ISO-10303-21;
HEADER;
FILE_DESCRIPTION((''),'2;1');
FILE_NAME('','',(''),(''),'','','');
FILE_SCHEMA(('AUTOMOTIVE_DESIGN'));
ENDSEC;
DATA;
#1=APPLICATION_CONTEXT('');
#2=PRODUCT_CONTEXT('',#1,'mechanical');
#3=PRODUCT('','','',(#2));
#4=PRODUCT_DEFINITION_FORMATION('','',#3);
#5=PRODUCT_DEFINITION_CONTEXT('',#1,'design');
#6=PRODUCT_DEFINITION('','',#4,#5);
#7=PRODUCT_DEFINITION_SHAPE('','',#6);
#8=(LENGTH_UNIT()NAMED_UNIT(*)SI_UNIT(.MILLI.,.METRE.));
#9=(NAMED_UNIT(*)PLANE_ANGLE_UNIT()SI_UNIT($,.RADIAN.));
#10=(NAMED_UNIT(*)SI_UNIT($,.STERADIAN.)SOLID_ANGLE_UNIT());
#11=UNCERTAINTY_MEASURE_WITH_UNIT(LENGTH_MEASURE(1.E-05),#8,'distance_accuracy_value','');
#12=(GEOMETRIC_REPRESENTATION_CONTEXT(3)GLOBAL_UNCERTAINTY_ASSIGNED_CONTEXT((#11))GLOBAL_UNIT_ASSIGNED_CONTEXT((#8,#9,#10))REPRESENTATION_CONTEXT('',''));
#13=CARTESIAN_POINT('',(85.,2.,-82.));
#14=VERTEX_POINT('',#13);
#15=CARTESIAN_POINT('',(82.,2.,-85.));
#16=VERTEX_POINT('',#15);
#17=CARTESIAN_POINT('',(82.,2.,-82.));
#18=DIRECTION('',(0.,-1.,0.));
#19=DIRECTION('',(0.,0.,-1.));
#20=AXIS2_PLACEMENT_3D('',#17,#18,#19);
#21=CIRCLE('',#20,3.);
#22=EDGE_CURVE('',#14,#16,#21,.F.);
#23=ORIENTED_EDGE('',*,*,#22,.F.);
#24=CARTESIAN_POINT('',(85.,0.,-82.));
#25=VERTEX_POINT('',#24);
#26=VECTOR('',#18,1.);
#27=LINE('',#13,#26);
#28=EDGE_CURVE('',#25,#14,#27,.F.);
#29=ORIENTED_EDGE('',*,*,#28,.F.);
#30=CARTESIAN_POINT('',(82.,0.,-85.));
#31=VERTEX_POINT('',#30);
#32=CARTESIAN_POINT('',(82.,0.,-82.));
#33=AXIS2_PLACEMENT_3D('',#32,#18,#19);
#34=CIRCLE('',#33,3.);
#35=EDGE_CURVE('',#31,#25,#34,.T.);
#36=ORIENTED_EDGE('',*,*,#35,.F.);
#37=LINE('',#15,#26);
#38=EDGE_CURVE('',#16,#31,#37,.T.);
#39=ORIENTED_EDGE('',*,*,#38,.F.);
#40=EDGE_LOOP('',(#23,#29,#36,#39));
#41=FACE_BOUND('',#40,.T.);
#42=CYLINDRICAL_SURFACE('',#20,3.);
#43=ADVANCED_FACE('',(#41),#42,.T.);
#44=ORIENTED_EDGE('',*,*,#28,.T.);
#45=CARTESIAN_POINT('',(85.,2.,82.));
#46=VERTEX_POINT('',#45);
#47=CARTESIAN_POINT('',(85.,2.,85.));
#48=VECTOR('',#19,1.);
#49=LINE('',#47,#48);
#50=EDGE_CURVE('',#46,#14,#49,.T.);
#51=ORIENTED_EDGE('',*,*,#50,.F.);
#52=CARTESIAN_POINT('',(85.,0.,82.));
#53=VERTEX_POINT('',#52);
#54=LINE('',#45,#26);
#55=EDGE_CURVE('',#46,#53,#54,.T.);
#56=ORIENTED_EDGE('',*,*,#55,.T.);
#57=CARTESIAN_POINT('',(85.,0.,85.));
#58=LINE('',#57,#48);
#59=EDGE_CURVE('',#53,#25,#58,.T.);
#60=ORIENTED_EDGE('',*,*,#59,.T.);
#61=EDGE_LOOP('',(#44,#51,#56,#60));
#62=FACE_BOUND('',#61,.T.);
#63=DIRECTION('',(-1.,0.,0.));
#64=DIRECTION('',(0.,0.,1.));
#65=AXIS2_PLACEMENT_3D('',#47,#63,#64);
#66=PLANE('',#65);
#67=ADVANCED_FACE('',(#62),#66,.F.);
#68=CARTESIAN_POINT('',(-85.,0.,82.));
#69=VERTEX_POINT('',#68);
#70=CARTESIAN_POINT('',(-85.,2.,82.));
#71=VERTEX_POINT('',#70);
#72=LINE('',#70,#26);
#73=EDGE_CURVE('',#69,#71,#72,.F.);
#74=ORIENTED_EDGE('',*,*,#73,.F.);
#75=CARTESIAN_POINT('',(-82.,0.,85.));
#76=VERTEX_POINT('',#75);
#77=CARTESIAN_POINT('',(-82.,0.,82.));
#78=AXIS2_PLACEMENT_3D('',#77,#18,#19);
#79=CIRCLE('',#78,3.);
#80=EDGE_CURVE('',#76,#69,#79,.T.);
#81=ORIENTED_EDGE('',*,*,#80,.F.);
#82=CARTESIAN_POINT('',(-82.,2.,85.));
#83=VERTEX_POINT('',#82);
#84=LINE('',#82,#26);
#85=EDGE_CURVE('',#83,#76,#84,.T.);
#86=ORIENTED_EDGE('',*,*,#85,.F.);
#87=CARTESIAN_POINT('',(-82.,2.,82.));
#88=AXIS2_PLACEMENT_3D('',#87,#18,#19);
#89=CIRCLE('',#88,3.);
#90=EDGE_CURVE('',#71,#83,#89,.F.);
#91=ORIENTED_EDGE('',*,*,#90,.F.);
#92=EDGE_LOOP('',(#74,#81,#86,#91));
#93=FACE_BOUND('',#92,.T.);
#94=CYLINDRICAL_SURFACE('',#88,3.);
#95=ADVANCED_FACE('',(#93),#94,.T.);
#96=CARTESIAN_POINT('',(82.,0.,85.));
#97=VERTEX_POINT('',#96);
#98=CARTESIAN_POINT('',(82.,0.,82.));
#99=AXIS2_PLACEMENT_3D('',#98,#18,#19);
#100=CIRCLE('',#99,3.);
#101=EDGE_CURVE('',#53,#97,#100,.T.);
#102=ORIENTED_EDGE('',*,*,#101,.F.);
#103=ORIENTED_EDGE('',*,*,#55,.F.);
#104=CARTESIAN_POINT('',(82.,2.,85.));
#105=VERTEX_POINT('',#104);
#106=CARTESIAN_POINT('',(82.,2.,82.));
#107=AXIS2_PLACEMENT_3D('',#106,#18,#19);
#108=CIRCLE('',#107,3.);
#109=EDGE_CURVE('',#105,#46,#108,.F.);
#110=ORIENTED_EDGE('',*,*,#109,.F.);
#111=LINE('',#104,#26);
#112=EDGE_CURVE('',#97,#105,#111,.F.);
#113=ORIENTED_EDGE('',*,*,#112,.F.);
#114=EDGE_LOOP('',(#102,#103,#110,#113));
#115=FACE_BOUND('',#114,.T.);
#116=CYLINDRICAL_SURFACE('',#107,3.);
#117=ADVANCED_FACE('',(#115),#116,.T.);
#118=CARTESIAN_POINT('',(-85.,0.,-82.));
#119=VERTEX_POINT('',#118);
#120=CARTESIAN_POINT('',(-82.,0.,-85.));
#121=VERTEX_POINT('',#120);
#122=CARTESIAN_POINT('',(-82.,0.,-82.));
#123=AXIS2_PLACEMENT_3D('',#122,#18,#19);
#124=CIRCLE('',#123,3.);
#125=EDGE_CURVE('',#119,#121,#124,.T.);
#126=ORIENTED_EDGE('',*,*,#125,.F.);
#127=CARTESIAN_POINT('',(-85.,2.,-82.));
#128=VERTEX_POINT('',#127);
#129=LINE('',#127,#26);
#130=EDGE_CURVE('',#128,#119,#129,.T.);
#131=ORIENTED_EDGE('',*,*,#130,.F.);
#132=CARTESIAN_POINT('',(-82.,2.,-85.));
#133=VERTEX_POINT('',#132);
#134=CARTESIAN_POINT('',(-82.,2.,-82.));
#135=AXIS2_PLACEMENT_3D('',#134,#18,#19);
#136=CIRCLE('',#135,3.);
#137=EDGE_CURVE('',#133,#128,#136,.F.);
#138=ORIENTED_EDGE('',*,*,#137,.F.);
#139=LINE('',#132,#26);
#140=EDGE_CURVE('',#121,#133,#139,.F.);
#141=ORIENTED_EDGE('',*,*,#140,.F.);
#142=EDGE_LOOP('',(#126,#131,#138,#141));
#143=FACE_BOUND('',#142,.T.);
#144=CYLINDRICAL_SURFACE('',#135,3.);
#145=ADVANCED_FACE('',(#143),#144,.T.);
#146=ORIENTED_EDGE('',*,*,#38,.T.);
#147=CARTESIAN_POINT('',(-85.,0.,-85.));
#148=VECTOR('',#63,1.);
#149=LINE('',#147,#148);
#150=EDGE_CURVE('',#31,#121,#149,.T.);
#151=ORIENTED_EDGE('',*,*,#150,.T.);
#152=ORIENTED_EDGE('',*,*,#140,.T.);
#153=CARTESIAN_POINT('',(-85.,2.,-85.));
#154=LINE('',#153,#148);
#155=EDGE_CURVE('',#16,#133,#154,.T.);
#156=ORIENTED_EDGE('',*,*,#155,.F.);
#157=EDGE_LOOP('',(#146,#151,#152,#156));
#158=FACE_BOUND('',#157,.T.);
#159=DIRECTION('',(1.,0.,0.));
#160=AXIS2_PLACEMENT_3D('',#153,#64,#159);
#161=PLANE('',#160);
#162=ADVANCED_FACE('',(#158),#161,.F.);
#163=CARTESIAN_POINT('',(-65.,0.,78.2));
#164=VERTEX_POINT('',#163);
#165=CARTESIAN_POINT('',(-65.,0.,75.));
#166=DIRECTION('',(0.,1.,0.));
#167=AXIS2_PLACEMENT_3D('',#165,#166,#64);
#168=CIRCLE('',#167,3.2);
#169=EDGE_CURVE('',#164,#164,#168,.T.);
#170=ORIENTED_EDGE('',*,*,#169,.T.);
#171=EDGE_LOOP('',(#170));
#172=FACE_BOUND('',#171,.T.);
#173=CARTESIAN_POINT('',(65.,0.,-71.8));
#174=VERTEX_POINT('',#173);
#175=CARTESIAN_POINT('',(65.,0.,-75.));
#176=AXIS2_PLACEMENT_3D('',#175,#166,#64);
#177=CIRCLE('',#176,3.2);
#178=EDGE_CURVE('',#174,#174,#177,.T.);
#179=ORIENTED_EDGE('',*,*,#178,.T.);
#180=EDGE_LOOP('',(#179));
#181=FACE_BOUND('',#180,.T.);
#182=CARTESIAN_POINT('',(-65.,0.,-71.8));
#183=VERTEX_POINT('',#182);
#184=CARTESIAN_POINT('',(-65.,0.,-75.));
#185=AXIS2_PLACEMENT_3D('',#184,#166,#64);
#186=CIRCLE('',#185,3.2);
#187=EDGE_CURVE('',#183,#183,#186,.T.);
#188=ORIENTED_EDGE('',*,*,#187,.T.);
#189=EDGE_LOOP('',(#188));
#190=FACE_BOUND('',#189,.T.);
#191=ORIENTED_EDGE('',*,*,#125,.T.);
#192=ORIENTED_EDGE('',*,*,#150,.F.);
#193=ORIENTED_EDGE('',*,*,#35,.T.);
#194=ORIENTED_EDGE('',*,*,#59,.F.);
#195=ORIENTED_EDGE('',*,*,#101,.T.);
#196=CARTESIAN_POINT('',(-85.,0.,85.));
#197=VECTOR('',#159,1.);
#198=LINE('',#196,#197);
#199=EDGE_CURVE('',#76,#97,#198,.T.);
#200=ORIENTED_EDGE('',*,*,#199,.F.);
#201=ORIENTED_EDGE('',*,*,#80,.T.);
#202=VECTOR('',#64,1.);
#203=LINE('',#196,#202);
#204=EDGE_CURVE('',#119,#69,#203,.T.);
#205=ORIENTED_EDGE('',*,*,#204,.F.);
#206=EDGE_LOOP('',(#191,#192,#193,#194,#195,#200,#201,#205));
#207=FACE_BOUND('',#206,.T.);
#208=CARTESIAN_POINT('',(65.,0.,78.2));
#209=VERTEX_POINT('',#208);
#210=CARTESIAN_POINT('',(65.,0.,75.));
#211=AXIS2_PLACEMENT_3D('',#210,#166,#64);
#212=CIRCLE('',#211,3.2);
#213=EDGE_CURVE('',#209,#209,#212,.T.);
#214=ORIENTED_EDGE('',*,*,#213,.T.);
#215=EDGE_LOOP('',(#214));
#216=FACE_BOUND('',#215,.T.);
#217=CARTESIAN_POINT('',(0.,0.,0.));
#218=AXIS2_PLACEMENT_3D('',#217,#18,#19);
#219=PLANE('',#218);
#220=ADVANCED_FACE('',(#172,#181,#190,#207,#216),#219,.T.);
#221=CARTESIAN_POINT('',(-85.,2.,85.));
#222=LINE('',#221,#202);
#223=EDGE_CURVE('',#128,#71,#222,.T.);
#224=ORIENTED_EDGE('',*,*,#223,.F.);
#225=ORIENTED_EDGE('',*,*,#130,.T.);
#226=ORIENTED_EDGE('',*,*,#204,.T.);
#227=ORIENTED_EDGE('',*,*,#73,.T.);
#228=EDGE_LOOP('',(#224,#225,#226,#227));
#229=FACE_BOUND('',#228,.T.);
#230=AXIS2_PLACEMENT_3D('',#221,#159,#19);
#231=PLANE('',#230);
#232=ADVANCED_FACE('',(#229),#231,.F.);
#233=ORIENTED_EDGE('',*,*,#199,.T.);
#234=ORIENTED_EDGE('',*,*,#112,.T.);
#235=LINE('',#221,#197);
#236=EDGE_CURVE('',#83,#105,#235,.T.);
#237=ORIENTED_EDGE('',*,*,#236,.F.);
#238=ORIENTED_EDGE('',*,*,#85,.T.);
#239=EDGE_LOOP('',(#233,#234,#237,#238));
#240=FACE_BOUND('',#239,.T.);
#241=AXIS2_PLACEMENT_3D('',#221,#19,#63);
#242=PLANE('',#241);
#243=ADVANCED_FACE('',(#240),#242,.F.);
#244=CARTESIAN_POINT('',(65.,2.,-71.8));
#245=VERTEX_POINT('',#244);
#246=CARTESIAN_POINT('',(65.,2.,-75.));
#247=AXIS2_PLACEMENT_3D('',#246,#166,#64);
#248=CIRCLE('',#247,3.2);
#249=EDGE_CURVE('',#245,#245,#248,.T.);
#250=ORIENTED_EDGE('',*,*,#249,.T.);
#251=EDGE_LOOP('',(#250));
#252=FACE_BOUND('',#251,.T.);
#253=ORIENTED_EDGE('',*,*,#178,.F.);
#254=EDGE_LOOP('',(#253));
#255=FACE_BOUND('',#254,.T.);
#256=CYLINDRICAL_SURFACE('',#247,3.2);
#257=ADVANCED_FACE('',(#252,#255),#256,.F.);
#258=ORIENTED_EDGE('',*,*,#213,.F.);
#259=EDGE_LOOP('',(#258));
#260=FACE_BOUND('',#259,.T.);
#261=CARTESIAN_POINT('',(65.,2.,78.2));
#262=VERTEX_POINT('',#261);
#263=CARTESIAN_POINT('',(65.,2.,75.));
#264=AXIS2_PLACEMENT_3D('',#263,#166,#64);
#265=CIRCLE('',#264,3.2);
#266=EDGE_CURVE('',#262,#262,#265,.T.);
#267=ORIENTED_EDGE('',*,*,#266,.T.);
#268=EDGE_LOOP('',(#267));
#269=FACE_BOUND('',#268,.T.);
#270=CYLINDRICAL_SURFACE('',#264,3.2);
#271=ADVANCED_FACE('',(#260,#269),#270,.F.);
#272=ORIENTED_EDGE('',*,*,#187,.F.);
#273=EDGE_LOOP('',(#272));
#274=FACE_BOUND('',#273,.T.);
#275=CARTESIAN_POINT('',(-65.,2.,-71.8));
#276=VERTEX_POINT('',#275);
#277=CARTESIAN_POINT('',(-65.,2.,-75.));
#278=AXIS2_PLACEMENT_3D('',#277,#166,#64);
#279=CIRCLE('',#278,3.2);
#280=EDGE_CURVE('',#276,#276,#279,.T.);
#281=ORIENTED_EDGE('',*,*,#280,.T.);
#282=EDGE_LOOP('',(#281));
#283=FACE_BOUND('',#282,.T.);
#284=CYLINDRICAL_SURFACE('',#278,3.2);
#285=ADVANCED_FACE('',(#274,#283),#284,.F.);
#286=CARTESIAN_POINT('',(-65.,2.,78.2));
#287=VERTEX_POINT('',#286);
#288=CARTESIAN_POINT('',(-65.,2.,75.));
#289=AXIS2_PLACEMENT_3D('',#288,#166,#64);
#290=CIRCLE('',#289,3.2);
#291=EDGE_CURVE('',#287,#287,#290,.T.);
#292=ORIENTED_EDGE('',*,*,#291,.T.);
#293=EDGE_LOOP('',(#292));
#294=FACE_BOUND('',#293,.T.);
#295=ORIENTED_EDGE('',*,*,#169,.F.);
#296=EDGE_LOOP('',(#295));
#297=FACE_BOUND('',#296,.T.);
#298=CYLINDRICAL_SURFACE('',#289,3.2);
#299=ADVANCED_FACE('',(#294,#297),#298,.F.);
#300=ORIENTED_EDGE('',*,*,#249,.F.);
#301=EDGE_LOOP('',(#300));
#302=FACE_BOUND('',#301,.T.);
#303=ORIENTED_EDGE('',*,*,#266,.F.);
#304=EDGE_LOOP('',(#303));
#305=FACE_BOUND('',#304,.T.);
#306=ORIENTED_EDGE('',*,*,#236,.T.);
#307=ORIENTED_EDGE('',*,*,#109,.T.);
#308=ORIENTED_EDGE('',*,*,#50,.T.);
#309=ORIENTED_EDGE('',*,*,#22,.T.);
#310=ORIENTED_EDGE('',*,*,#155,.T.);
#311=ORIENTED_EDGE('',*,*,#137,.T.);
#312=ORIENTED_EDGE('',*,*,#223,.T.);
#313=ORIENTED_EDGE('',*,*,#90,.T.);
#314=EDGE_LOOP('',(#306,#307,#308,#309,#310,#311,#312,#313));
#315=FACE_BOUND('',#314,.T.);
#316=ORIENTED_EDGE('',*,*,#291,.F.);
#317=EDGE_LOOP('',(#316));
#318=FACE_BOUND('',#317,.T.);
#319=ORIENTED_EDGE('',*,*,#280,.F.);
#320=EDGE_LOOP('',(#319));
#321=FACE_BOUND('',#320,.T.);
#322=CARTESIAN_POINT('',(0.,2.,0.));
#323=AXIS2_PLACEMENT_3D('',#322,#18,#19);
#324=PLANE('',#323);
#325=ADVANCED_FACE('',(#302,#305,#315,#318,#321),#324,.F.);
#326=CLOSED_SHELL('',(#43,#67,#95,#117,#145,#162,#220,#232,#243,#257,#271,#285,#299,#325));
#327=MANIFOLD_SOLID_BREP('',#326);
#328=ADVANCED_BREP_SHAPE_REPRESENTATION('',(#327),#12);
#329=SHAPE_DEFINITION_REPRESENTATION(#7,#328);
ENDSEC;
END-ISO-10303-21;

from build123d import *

# Parameters (mm, degrees)
SKETCH1_W            = 170
SKETCH1_H            = 170
BOSS_EXTRUDE1_DEPTH  = 2
FILLET1_R            = 3
M6_CLEARANCE_HOLE1_D = 6.4


with BuildPart() as part:
    # Sketch1 → Boss-Extrude1 (new body)
    with BuildSketch(Plane(origin=(0, 0, 0), x_dir=(1, 0, 0), z_dir=(0, 1, 0))):
        Rectangle(SKETCH1_W, SKETCH1_H)
    extrude(amount=BOSS_EXTRUDE1_DEPTH)

    # Fillet1
    fillet1_edges = [part.edges().sort_by_distance(p)[0] for p in [
        (85, 1, 85),
        (-85, 1, 85),
        (-85, 1, -85),
        (85, 1, -85),
    ]]
    fillet(fillet1_edges, radius=FILLET1_R)

    # M6 Clearance Hole1 (through all)
    with Locations(Plane(origin=(0, 2, 0), x_dir=(1, 0, 0), z_dir=(0, 1, 0))):
        with Locations((-65, 75), (65, -75), (-65, -75), (65, 75)):
            Hole(M6_CLEARANCE_HOLE1_D / 2)


solid = part.part
